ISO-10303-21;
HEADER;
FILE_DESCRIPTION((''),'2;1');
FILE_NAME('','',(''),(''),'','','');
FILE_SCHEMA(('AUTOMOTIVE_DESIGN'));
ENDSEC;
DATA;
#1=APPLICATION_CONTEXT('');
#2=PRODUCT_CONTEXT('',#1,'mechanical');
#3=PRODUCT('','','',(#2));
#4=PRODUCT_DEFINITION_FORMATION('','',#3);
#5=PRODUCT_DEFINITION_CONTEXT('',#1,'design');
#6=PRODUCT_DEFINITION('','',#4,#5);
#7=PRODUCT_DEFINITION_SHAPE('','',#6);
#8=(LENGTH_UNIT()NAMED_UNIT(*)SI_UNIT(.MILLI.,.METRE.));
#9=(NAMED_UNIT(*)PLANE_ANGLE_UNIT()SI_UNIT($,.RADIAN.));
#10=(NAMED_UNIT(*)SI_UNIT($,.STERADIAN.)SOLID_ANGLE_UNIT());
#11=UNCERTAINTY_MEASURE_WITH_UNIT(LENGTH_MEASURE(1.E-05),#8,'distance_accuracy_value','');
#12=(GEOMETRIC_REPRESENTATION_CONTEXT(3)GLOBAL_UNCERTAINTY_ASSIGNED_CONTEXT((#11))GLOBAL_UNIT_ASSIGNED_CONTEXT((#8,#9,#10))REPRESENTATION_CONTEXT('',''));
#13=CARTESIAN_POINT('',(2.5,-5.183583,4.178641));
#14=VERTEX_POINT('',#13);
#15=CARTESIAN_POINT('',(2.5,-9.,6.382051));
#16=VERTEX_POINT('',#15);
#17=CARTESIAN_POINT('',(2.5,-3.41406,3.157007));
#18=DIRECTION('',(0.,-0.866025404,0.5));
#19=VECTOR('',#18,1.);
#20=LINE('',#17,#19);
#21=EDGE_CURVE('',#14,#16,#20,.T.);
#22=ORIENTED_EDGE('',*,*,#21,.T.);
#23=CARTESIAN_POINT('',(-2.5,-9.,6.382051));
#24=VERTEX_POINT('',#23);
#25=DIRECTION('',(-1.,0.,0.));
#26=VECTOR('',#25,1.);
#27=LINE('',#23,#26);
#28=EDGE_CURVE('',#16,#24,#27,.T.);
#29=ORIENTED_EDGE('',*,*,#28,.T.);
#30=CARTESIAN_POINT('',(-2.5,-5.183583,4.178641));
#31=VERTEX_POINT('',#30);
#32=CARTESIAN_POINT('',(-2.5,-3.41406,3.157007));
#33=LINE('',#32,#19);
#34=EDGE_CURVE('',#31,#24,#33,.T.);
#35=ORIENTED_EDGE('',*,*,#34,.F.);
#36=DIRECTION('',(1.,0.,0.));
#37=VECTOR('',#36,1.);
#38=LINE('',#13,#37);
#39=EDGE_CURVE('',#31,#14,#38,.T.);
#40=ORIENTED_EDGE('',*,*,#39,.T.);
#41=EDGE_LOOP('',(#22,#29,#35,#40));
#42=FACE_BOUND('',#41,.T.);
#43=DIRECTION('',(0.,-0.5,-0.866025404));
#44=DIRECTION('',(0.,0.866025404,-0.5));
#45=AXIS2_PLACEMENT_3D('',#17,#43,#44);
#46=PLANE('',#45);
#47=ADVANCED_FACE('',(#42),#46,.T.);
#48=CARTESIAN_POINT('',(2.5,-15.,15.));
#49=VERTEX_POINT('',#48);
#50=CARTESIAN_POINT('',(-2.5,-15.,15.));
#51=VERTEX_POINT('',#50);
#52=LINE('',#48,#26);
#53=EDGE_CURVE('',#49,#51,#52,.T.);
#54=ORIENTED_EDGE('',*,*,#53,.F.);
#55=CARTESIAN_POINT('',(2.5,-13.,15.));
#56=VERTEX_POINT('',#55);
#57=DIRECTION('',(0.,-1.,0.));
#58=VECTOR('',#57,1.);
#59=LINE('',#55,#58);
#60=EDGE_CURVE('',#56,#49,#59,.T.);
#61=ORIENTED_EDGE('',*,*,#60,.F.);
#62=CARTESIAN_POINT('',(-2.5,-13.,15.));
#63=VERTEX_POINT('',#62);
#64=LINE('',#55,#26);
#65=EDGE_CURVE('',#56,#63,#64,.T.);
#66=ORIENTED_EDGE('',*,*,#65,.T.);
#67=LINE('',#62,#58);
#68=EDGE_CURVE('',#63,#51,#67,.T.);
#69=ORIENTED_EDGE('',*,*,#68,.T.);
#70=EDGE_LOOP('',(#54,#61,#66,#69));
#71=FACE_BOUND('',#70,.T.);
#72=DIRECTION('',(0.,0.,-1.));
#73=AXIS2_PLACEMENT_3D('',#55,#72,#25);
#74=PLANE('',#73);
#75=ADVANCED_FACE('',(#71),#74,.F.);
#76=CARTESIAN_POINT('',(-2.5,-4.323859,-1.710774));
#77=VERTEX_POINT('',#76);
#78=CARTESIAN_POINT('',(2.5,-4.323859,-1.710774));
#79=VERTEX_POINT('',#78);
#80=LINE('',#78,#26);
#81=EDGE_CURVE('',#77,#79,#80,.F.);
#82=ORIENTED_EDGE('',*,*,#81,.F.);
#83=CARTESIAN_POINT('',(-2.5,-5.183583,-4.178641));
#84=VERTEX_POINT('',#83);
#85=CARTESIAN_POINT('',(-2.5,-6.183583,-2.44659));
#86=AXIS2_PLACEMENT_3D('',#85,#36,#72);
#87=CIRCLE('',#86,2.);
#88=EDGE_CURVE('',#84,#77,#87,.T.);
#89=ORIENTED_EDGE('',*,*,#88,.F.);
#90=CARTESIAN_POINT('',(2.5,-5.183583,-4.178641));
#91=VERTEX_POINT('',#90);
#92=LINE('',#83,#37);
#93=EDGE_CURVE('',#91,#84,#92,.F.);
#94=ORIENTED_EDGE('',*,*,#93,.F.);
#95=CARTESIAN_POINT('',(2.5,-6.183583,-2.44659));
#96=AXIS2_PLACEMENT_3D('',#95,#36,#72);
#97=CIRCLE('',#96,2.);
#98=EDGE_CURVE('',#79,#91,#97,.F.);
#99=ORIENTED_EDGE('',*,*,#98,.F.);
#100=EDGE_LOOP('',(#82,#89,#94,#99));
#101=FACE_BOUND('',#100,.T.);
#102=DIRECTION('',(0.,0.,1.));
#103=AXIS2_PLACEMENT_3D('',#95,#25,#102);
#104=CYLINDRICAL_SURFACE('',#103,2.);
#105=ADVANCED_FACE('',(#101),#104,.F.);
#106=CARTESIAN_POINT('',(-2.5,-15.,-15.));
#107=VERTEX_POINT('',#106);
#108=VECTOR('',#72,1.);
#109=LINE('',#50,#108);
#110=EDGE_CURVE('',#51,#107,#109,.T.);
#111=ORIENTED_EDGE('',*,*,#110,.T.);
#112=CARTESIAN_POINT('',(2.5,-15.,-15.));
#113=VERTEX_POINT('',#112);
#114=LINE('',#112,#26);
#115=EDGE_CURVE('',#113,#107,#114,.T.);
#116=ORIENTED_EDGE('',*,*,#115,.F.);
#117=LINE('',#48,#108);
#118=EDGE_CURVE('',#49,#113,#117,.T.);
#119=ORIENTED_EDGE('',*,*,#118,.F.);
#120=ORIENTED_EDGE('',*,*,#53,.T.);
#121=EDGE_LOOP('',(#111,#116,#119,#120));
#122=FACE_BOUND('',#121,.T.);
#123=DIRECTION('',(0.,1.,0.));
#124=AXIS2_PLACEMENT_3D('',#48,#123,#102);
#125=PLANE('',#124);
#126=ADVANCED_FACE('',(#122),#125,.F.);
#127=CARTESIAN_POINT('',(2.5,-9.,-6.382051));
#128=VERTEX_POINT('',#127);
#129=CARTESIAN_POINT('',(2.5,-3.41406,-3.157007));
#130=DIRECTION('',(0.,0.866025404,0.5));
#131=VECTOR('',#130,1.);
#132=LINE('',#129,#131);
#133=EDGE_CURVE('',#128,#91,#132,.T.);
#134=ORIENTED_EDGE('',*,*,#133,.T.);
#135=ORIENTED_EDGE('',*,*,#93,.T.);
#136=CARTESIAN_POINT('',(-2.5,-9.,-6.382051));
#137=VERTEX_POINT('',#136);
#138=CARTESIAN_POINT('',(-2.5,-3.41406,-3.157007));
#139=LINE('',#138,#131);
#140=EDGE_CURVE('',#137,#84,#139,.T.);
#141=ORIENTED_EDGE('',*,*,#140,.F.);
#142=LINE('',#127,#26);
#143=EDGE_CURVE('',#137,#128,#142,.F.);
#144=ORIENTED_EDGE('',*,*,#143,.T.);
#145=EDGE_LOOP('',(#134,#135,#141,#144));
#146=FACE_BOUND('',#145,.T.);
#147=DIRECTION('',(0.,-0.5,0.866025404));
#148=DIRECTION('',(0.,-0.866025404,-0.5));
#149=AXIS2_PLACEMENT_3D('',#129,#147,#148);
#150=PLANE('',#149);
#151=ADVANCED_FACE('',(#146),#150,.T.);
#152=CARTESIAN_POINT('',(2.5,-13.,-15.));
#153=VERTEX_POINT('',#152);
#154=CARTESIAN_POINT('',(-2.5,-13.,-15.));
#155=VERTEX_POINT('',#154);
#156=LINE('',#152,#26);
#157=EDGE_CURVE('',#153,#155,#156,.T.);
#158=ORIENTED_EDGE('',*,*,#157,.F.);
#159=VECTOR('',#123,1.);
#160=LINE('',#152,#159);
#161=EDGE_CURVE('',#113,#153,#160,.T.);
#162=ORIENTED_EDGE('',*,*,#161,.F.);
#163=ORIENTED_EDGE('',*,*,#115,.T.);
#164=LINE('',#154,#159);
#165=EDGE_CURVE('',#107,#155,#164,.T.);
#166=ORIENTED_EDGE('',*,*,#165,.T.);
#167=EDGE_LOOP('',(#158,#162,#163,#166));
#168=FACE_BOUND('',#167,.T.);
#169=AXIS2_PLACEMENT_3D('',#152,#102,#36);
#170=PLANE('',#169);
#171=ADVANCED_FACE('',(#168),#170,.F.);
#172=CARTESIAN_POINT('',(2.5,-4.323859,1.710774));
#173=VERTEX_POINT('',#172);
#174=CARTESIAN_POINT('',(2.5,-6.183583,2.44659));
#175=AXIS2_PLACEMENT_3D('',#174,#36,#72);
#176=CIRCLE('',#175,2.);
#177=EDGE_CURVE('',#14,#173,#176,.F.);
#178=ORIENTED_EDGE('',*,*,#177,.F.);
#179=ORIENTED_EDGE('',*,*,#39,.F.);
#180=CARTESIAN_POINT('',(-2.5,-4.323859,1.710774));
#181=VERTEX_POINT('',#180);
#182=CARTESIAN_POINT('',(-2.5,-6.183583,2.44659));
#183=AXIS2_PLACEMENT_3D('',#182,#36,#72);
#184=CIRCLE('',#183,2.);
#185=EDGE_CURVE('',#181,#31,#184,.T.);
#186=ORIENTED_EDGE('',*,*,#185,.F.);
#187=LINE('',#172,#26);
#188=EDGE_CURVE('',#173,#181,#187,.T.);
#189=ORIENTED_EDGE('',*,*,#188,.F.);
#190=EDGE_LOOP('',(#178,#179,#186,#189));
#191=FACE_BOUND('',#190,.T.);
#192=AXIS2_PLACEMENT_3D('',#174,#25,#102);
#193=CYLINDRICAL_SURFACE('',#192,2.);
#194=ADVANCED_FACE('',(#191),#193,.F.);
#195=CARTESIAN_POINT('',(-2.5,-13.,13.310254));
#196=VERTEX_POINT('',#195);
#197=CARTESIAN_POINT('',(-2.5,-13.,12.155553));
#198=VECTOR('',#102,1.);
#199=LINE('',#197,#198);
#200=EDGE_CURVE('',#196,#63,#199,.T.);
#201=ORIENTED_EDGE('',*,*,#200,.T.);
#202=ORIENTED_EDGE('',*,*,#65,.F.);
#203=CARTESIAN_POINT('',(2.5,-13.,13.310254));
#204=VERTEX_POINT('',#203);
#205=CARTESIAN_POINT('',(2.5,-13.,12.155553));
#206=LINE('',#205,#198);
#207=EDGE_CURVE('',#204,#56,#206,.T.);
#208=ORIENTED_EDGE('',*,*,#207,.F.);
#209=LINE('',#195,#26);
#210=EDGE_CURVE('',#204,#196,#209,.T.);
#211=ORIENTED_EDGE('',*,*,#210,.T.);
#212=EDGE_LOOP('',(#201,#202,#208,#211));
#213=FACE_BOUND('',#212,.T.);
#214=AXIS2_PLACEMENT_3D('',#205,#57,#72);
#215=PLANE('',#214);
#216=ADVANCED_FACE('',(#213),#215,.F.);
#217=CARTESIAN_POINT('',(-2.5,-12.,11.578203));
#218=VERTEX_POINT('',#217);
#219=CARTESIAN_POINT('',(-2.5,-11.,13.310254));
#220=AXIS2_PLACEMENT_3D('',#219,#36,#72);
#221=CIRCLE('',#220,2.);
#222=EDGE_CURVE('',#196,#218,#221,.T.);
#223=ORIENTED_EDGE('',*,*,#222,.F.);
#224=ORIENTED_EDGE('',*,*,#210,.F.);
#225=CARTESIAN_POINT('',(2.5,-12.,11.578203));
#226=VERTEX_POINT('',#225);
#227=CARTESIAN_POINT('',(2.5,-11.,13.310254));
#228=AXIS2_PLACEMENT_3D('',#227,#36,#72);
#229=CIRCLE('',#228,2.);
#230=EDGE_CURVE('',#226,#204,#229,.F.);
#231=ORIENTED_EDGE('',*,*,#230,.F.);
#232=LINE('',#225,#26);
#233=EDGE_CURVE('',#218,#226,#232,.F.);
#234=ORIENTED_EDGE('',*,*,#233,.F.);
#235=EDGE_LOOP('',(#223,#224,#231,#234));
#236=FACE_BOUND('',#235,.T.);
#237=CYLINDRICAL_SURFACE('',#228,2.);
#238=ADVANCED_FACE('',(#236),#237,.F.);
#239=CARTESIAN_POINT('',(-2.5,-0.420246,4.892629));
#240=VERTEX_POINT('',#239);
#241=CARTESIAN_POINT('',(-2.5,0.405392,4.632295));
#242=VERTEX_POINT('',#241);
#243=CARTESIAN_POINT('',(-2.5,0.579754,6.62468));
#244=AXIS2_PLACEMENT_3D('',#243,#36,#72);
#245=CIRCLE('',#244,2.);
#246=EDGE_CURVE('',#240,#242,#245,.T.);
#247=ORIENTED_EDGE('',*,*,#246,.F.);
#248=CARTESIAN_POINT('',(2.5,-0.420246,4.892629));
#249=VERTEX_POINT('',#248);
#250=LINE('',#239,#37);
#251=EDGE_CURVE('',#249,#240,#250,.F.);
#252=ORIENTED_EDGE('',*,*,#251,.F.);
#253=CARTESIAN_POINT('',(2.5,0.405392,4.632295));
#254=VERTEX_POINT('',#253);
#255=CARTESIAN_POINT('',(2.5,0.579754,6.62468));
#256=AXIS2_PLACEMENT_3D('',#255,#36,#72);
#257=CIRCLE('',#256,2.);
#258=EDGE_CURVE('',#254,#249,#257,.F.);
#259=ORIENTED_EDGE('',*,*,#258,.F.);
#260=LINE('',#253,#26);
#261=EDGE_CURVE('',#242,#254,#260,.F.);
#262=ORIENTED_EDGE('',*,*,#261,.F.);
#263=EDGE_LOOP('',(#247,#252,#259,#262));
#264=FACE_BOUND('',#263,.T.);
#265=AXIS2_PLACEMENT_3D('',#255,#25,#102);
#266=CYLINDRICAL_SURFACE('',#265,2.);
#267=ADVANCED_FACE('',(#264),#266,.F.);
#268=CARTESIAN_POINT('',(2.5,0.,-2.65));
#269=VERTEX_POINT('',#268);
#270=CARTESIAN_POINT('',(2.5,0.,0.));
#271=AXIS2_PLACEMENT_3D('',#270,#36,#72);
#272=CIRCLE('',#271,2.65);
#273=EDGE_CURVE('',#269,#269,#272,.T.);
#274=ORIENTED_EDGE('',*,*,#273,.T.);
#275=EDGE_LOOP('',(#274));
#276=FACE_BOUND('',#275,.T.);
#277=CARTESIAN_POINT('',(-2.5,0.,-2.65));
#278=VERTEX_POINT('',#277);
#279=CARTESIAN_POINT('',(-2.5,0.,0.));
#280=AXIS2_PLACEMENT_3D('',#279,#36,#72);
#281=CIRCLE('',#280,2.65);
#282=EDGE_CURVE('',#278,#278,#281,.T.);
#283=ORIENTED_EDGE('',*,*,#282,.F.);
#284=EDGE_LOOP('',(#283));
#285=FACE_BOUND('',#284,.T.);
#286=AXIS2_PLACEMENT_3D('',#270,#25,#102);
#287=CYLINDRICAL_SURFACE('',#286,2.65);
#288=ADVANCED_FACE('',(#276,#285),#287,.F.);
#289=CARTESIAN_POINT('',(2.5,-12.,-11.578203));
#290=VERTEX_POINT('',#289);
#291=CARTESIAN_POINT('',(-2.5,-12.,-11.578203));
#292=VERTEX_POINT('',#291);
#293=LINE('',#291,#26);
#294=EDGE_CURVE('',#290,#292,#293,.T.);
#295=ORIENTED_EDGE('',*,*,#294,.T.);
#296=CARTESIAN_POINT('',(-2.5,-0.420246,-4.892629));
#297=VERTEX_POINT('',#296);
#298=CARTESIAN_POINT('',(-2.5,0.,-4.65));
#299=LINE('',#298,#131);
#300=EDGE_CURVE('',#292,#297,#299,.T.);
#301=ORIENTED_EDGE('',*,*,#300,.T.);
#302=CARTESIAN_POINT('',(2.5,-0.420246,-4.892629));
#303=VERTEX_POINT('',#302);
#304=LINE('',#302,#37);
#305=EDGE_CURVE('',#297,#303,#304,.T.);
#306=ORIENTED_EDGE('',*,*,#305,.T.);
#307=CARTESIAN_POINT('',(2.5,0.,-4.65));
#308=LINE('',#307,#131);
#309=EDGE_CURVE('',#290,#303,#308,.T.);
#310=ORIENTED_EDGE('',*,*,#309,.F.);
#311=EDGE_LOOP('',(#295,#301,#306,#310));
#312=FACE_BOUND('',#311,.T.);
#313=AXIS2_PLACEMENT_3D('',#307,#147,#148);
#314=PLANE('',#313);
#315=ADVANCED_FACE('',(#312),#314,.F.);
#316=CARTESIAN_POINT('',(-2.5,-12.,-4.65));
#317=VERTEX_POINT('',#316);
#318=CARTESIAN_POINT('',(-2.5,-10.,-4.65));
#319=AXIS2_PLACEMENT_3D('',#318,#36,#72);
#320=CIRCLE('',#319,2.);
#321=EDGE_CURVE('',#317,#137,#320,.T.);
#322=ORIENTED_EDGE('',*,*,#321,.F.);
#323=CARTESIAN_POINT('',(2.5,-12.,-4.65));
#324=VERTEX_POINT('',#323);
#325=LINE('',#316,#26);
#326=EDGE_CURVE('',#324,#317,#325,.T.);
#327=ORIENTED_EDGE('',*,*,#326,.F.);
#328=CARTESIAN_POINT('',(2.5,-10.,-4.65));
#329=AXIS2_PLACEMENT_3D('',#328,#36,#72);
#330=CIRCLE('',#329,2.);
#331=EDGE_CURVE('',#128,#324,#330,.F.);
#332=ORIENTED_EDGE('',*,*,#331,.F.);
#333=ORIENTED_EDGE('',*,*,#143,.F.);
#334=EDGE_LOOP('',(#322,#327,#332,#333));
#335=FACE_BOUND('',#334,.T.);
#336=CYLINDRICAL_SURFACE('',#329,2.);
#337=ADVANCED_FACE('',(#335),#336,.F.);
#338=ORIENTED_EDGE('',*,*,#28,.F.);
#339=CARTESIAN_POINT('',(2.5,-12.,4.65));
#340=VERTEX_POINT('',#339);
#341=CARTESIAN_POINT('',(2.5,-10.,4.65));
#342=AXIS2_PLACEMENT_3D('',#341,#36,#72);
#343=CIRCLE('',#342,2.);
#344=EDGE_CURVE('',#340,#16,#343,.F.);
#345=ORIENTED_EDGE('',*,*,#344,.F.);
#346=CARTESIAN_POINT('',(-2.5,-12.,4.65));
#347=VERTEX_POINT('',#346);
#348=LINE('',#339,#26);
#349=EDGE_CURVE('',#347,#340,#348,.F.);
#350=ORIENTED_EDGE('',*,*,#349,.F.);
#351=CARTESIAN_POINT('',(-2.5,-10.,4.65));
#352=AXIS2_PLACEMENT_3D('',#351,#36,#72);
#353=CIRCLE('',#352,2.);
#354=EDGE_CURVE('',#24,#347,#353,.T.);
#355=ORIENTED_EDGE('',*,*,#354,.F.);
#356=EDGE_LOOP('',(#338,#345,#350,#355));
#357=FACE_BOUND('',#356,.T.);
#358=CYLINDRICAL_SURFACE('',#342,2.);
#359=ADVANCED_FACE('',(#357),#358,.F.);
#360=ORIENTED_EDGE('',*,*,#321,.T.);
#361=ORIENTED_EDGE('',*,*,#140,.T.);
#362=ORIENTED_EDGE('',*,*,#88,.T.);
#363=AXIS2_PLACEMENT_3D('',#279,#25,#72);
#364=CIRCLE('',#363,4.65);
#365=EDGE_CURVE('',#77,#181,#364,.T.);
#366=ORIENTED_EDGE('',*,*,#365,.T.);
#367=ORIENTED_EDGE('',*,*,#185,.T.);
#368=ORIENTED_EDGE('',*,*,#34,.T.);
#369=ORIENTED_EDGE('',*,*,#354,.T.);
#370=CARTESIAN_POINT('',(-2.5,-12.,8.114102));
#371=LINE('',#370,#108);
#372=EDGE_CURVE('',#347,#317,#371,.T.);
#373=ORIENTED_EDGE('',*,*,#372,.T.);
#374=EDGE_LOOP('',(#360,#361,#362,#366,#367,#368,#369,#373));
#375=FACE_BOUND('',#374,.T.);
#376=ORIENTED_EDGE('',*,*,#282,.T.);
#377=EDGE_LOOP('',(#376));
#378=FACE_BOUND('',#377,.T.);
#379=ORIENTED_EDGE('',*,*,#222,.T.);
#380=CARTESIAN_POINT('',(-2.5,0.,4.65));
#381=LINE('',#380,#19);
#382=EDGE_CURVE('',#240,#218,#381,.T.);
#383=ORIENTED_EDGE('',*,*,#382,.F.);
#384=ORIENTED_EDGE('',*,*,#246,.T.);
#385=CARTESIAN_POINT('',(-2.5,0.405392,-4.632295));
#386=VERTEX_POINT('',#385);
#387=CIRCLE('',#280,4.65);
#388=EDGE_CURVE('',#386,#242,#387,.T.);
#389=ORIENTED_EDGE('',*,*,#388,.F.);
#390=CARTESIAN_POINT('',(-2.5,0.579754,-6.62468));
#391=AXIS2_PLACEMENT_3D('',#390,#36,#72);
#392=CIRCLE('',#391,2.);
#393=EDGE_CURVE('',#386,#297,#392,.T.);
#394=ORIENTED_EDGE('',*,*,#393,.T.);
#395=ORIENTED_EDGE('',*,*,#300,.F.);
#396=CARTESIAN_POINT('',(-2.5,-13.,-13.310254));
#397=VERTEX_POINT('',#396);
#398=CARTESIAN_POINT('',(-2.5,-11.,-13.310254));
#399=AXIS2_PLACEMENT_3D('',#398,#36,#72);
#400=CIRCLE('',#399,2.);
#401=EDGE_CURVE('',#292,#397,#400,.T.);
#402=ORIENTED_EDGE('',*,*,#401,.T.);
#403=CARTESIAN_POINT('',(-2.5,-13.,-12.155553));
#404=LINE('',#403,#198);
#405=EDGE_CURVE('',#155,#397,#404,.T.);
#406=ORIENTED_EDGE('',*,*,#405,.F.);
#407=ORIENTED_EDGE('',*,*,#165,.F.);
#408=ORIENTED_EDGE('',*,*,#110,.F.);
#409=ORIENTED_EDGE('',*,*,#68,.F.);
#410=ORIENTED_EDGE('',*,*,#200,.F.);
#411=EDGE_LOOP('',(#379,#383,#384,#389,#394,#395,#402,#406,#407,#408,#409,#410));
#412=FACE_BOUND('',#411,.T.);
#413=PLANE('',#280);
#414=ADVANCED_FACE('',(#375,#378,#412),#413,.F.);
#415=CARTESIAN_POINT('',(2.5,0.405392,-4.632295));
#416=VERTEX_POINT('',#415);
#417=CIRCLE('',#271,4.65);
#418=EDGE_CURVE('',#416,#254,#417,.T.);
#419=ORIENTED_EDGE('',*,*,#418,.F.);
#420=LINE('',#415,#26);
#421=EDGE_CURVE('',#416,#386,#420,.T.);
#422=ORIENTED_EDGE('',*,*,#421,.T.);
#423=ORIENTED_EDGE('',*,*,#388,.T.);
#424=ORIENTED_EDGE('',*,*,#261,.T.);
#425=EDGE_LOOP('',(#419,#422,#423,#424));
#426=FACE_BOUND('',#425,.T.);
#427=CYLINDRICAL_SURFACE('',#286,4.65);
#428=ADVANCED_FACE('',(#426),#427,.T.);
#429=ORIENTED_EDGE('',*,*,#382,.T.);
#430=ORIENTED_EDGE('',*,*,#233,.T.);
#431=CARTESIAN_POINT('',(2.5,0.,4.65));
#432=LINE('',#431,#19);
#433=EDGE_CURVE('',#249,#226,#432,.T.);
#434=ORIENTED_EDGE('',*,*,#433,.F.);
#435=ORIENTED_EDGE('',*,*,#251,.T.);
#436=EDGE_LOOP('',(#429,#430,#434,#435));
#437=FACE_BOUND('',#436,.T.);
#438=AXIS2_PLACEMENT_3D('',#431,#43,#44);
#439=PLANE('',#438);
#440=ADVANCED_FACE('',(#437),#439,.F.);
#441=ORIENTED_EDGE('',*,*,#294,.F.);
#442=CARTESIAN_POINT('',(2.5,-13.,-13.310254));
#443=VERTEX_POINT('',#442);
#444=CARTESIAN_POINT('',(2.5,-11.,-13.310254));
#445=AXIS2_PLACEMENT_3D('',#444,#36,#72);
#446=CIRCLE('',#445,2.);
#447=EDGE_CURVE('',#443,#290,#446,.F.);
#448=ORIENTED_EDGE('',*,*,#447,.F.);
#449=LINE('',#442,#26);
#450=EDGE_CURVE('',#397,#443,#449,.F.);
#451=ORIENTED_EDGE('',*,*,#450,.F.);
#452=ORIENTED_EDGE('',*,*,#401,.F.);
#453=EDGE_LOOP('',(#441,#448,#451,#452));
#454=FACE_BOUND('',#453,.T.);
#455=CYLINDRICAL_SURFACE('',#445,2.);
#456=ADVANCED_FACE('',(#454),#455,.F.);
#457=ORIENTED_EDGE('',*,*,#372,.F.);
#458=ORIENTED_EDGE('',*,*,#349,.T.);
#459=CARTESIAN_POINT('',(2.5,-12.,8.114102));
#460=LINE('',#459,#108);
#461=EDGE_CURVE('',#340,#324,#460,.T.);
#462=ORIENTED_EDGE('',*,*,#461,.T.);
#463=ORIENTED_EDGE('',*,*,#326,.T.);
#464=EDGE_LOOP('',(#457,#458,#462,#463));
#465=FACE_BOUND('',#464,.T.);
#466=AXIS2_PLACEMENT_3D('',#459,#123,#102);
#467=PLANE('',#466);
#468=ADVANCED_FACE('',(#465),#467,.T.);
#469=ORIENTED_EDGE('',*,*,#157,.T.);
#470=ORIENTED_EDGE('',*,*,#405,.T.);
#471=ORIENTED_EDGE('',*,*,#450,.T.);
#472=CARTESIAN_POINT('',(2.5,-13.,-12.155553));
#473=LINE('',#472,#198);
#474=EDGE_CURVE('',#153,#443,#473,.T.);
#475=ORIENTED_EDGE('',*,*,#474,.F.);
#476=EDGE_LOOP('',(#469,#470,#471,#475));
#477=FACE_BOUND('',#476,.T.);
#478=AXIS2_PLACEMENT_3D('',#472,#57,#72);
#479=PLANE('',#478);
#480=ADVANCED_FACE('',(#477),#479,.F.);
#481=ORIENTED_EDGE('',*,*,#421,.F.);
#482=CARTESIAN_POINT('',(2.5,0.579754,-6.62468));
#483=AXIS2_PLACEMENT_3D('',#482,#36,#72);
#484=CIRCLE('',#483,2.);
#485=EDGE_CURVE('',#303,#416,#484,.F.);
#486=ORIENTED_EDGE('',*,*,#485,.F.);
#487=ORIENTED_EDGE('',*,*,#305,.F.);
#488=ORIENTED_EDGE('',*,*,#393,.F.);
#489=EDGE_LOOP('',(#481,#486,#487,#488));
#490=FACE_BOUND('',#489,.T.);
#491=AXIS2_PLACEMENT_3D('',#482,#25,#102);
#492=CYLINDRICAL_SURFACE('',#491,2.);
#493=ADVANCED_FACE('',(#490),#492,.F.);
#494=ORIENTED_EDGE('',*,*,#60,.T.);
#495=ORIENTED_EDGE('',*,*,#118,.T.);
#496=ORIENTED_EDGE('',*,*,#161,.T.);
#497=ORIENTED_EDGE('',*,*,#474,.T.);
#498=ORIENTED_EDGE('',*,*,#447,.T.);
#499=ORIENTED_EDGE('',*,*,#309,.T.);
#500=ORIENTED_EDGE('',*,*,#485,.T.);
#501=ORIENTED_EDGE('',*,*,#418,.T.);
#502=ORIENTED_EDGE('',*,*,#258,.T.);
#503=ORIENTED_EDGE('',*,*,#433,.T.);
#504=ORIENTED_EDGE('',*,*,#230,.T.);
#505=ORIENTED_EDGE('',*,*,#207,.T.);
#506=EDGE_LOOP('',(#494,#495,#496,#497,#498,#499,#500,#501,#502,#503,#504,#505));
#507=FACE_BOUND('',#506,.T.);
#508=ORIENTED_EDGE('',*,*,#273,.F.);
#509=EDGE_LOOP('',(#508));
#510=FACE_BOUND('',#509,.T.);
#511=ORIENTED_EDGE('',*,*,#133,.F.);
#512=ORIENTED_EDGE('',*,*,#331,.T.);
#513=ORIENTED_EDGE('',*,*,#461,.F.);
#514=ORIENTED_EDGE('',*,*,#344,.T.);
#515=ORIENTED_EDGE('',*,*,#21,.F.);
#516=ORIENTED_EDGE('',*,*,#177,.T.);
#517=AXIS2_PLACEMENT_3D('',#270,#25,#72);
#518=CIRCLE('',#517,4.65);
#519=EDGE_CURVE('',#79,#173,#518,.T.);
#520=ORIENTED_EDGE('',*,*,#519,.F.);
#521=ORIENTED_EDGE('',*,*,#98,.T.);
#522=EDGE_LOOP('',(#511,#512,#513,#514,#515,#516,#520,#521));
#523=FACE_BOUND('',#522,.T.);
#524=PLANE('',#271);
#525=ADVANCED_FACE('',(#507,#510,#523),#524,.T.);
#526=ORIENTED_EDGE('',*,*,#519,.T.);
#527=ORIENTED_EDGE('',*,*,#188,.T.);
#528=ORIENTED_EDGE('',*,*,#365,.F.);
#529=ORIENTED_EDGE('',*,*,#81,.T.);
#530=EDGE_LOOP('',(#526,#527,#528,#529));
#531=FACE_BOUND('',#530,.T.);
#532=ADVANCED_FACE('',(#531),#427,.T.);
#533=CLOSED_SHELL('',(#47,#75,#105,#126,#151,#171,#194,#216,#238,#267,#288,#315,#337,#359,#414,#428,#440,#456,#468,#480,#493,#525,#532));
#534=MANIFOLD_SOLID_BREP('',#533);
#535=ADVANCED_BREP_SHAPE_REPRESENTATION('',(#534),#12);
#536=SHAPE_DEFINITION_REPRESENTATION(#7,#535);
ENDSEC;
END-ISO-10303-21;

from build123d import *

# Parameters (mm, degrees)
SKETCH_1_R      = 2.65
EXTRUDE_1_DEPTH = 2.5
FILLET_1_R      = 2


with BuildPart() as part:
    # 草图1 → 凸台-拉伸1 (new, symmetric)
    with BuildSketch(Plane(origin=(0, 0, 0), x_dir=(0, 0, -1), z_dir=(1, 0, 0))):
        with BuildLine():
            Line((-4.65, 0), (-12.155553499, -13))
            Line((-12.155553499, -13), (-15, -13))
            Line((-15, -13), (-15, -15))
            Line((-15, -15), (15, -15))
            Line((15, -15), (15, -13))
            Line((15, -13), (12.155553499, -13))
            Line((12.155553499, -13), (4.65, 0))
            ThreePointArc((4.65, 0), (0, 4.65), (-4.65, 0))
        make_face()
        Circle(SKETCH_1_R, mode=Mode.SUBTRACT)
        with BuildLine():
            Line((-8.114101615, -12), (8.114101615, -12))
            Line((8.114101615, -12), (3.157006961, -3.4140602))
            ThreePointArc((3.157006961, -3.4140602), (0, -4.65), (-3.157006961, -3.4140602))
            Line((-3.157006961, -3.4140602), (-8.114101615, -12))
        make_face(mode=Mode.SUBTRACT)
    extrude(amount=EXTRUDE_1_DEPTH, both=True)

    # 圆角1
    fillet_1_edges = [part.edges().sort_by_distance(p)[0] for p in [
        (0, 0, -4.65),
        (0, -13, -12.155553499),
        (0, -13, 12.155553499),
        (0, 0, 4.65),
        (0, -3.4140602, 3.157006961),
        (0, -12, 8.114101615),
        (0, -12, -8.114101615),
        (0, -3.4140602, -3.157006961),
    ]]
    fillet(fillet_1_edges, radius=FILLET_1_R)


solid = part.part
